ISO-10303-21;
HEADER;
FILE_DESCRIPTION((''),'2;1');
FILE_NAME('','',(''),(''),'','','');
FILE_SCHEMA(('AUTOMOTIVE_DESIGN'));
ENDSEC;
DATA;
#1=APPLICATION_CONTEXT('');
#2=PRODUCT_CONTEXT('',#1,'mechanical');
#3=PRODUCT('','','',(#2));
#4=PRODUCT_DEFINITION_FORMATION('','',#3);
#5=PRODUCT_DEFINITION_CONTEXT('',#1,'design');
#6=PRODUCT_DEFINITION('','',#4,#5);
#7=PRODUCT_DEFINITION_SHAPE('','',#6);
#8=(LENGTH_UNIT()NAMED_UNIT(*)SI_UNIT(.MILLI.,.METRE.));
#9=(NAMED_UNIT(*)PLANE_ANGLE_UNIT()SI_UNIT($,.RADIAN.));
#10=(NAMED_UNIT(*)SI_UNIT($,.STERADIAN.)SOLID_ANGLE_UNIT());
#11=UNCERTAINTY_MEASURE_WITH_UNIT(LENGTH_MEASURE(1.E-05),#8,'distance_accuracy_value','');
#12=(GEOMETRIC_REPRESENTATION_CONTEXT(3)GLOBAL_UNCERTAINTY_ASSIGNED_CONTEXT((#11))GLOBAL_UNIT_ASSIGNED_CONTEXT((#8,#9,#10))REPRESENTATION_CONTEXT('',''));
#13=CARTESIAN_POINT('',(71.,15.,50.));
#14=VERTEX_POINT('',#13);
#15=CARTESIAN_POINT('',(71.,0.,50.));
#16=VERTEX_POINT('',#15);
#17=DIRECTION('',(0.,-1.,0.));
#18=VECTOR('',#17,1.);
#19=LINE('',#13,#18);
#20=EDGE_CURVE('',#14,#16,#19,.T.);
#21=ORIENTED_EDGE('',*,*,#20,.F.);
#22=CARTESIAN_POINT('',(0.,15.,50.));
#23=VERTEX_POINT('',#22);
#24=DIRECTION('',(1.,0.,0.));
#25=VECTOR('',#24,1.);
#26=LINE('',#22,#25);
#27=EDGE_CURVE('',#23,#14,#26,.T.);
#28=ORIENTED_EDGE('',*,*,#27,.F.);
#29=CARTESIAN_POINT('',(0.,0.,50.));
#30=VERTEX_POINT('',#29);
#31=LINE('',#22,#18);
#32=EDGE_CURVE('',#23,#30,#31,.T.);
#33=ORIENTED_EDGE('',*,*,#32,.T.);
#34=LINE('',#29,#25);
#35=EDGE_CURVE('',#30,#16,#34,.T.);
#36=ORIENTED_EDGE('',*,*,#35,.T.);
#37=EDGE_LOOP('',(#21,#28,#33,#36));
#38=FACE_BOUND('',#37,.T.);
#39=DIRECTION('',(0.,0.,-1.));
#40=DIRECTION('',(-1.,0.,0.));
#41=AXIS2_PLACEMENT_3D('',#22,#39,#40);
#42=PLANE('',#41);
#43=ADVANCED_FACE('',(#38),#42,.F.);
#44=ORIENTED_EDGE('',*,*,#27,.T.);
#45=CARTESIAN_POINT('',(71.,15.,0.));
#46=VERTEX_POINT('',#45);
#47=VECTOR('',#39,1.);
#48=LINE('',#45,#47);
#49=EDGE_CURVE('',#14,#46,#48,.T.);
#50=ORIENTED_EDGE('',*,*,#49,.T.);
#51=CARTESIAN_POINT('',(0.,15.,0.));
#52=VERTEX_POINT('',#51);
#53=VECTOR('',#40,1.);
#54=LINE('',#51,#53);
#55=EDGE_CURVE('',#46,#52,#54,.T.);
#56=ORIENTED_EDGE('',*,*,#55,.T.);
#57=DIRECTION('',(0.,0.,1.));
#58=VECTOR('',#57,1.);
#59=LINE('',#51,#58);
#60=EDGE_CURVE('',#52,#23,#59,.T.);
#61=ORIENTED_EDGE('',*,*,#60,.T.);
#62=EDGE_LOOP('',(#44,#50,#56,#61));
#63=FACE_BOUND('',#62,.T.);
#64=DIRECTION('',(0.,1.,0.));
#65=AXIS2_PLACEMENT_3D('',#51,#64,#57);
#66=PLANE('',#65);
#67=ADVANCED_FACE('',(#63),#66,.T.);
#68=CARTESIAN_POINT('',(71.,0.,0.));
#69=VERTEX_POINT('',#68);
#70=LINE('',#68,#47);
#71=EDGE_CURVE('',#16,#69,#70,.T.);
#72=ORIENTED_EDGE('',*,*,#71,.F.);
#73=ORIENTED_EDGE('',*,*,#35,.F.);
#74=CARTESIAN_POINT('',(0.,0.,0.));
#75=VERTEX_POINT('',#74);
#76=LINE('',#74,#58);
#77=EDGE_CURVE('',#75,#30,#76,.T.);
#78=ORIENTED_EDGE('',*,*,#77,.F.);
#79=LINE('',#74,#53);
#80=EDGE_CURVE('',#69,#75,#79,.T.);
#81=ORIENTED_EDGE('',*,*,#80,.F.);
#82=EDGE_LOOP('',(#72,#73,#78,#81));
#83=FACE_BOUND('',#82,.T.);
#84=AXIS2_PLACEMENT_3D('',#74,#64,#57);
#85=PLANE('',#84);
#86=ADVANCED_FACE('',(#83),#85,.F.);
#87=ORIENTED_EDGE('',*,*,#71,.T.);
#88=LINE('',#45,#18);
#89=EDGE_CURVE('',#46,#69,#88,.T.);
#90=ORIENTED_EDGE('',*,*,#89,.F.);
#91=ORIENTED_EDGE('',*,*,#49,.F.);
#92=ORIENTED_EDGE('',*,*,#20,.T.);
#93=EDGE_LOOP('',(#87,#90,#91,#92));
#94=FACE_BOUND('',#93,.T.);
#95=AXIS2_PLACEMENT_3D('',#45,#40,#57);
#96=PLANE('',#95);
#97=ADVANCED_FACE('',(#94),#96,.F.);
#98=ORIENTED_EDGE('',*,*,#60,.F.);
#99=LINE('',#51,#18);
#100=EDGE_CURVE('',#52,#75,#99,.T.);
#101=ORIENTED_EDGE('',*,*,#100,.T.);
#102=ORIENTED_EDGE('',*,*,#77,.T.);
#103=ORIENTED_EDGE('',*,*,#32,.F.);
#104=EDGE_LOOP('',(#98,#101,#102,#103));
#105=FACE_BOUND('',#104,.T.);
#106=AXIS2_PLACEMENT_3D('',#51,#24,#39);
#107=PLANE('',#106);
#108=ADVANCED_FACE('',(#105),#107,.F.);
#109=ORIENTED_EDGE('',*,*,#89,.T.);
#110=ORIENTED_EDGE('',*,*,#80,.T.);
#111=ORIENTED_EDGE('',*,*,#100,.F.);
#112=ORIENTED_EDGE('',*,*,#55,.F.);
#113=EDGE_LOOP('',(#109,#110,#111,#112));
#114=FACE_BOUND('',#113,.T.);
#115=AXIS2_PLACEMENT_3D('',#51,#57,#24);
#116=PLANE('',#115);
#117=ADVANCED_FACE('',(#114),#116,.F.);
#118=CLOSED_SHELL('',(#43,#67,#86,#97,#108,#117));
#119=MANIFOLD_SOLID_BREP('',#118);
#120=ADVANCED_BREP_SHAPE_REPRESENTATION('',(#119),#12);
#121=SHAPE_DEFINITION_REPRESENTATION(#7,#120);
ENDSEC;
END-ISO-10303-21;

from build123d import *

# Parameters (mm, degrees)
SKETCH_1_W      = 71
SKETCH_1_H      = 50
EXTRUDE_1_DEPTH = 15


with BuildPart() as part:
    # 草图1 → 凸台-拉伸1 (new body)
    with BuildSketch(Plane(origin=(0, 0, 0), x_dir=(1, 0, 0), z_dir=(0, 1, 0))):
        with Locations((35.5, -25)):
            Rectangle(SKETCH_1_W, SKETCH_1_H)
    extrude(amount=EXTRUDE_1_DEPTH)


solid = part.part
